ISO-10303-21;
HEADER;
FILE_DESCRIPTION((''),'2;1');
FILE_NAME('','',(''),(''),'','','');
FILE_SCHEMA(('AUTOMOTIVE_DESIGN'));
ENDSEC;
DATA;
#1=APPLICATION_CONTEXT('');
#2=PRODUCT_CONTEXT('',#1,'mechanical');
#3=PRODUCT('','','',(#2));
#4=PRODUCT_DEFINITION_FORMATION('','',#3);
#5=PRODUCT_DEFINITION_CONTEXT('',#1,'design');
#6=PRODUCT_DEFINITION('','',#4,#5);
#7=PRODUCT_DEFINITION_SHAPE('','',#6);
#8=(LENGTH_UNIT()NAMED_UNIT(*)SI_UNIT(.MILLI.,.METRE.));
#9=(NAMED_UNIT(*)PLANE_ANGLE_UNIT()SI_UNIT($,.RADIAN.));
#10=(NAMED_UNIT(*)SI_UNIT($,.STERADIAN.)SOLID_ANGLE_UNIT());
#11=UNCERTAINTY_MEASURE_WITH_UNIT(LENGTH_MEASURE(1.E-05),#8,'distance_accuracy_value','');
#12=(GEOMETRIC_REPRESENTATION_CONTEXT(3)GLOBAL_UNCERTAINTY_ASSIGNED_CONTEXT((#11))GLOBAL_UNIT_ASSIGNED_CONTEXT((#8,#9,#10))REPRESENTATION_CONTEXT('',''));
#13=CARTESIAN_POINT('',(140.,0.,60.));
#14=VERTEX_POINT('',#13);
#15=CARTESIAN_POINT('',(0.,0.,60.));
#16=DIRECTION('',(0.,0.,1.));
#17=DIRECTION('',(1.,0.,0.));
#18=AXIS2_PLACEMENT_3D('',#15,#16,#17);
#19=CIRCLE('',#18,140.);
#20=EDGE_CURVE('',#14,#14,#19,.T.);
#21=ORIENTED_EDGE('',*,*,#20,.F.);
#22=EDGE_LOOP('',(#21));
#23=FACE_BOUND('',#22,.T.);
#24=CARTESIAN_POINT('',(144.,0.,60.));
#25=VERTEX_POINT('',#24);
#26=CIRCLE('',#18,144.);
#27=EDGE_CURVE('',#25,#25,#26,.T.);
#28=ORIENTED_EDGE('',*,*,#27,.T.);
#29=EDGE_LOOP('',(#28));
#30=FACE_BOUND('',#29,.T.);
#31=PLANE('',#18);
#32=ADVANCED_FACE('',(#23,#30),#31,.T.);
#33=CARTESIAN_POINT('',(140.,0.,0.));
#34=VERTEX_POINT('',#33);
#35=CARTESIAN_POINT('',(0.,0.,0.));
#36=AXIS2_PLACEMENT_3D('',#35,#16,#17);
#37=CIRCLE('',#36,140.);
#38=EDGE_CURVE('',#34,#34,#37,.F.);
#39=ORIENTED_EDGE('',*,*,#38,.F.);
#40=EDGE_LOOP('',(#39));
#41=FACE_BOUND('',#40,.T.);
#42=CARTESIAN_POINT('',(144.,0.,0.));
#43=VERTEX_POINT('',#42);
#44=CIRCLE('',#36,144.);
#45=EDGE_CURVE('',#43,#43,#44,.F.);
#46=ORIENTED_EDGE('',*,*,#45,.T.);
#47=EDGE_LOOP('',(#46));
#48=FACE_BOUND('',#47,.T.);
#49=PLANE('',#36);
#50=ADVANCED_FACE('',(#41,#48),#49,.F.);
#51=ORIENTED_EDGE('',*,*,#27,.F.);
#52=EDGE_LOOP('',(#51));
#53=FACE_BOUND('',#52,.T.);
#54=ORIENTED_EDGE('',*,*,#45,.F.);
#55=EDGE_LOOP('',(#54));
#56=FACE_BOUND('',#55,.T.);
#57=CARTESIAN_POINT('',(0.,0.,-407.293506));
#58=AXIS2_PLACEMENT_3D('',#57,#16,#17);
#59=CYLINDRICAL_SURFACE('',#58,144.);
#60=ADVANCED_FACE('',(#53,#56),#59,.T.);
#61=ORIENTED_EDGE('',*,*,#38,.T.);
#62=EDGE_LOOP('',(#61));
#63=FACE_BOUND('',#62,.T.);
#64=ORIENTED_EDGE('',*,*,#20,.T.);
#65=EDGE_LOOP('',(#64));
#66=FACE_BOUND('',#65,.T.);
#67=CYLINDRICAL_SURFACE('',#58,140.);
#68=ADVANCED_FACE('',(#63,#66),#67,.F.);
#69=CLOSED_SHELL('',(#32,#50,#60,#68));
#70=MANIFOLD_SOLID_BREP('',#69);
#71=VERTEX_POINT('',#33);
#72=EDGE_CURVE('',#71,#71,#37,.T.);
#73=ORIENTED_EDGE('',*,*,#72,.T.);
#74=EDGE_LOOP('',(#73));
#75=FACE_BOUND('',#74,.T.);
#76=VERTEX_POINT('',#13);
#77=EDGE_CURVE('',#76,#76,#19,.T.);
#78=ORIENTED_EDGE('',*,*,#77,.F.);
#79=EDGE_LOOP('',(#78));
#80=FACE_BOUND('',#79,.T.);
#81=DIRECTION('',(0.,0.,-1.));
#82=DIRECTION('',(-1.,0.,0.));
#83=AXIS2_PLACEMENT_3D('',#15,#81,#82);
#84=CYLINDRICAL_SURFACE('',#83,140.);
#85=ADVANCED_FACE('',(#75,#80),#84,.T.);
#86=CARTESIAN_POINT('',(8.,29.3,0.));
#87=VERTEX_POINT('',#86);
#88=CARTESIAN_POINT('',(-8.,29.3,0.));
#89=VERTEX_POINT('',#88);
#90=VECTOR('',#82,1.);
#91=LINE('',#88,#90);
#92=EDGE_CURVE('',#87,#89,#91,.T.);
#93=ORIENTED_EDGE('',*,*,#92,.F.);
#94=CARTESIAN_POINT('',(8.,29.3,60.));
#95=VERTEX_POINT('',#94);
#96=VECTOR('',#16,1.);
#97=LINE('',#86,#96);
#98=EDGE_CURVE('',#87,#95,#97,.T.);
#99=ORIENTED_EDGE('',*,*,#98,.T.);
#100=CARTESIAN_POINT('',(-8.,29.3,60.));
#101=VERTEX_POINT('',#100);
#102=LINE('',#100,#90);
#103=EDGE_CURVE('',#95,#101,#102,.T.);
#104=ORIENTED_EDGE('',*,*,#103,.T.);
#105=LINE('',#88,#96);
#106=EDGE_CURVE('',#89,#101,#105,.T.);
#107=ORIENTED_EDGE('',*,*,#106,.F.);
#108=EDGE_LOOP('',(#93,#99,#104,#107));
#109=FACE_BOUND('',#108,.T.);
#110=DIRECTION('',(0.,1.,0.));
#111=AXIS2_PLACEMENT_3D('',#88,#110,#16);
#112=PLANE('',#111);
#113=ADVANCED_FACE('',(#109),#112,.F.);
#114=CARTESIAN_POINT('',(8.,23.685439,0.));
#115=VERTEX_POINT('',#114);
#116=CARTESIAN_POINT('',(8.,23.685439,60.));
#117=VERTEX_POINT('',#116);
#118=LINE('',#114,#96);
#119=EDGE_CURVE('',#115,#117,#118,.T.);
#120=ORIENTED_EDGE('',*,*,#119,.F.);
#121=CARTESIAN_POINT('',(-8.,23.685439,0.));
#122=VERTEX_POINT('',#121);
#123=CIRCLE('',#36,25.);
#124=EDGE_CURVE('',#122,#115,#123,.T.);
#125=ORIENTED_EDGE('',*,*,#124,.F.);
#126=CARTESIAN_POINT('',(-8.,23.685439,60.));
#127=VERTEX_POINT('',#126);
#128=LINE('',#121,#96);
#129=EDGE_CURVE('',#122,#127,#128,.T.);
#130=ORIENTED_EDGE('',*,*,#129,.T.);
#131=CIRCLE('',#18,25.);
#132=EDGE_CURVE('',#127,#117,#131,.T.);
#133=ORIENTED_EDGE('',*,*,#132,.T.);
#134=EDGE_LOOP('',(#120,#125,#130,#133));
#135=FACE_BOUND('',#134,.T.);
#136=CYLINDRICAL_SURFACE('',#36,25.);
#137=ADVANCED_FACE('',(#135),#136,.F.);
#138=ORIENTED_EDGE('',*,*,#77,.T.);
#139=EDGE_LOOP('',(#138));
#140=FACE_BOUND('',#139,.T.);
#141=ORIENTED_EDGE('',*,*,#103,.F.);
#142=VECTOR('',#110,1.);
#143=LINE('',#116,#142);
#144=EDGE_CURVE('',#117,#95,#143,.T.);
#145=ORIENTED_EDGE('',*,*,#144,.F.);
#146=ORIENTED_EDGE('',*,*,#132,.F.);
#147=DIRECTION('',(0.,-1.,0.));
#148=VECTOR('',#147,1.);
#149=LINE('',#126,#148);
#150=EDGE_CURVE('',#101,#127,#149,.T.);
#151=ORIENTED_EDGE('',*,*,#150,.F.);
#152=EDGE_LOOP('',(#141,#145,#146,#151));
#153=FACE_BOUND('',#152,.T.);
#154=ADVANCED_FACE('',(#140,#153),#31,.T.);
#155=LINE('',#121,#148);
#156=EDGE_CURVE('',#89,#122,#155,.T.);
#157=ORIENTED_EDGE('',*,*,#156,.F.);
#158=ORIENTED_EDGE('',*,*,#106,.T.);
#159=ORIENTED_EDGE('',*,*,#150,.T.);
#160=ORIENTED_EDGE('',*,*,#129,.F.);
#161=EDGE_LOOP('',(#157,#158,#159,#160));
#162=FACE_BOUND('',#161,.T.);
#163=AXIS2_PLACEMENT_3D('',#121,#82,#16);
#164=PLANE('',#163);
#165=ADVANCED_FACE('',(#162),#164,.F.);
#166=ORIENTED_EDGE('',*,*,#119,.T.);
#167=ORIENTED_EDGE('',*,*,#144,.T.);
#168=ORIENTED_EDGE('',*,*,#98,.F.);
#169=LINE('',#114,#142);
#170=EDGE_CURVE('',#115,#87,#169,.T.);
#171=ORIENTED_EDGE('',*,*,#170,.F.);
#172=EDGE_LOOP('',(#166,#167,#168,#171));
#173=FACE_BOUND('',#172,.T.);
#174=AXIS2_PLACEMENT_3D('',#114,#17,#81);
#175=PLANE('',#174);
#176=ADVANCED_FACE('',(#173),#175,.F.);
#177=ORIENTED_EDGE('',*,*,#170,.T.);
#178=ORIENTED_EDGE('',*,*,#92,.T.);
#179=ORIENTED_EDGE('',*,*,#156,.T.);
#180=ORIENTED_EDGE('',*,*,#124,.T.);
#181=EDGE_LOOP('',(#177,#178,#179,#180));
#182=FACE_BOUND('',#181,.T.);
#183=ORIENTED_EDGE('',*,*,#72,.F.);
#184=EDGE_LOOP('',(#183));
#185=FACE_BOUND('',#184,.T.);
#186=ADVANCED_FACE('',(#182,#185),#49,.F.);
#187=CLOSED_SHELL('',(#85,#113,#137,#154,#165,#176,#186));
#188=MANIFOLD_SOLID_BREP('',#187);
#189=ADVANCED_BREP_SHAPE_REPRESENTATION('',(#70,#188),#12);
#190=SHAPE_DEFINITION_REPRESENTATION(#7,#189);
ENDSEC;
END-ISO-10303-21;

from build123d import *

# Parameters (mm, degrees)
SKETCH1_R           = 140
BOSS_EXTRUDE1_DEPTH = 60
SKETCH2_R           = 25
CUT_EXTRUDE2_DEPTH  = 207.881608656
CUT_EXTRUDE3_DEPTH  = 207.881608656
SKETCH4_R           = 144
SKETCH4_R_2         = 140
BOSS_EXTRUDE2_DEPTH = 60


with BuildPart() as part:
    # Sketch1 → Boss-Extrude1 (new body)
    with BuildSketch(Plane.XY):
        Circle(SKETCH1_R)
    extrude(amount=BOSS_EXTRUDE1_DEPTH)

    # Sketch2 → Cut-Extrude2 (cut, through all)
    with BuildSketch(Plane.XY.offset(60)):
        Circle(SKETCH2_R)
    extrude(amount=-CUT_EXTRUDE2_DEPTH, mode=Mode.SUBTRACT)

    # Sketch3 → Cut-Extrude3 (cut, through all)
    with BuildSketch(Plane.XY.offset(60)):
        with BuildLine():
            Line((-8, 23.685438565), (-8, 29.3))
            Line((-8, 29.3), (8, 29.3))
            Line((8, 29.3), (8, 23.685438565))
            ThreePointArc((8, 23.685438565), (0, 25), (-8, 23.685438565))
        make_face()
    extrude(amount=-CUT_EXTRUDE3_DEPTH, mode=Mode.SUBTRACT)


with BuildPart() as body_2:
    # Sketch4 → Boss-Extrude2 (new body)
    with BuildSketch(Plane.XY.offset(60)):
        Circle(SKETCH4_R)
        Circle(SKETCH4_R_2, mode=Mode.SUBTRACT)
    extrude(amount=-BOSS_EXTRUDE2_DEPTH)


solid = Compound([part.part, body_2.part])
